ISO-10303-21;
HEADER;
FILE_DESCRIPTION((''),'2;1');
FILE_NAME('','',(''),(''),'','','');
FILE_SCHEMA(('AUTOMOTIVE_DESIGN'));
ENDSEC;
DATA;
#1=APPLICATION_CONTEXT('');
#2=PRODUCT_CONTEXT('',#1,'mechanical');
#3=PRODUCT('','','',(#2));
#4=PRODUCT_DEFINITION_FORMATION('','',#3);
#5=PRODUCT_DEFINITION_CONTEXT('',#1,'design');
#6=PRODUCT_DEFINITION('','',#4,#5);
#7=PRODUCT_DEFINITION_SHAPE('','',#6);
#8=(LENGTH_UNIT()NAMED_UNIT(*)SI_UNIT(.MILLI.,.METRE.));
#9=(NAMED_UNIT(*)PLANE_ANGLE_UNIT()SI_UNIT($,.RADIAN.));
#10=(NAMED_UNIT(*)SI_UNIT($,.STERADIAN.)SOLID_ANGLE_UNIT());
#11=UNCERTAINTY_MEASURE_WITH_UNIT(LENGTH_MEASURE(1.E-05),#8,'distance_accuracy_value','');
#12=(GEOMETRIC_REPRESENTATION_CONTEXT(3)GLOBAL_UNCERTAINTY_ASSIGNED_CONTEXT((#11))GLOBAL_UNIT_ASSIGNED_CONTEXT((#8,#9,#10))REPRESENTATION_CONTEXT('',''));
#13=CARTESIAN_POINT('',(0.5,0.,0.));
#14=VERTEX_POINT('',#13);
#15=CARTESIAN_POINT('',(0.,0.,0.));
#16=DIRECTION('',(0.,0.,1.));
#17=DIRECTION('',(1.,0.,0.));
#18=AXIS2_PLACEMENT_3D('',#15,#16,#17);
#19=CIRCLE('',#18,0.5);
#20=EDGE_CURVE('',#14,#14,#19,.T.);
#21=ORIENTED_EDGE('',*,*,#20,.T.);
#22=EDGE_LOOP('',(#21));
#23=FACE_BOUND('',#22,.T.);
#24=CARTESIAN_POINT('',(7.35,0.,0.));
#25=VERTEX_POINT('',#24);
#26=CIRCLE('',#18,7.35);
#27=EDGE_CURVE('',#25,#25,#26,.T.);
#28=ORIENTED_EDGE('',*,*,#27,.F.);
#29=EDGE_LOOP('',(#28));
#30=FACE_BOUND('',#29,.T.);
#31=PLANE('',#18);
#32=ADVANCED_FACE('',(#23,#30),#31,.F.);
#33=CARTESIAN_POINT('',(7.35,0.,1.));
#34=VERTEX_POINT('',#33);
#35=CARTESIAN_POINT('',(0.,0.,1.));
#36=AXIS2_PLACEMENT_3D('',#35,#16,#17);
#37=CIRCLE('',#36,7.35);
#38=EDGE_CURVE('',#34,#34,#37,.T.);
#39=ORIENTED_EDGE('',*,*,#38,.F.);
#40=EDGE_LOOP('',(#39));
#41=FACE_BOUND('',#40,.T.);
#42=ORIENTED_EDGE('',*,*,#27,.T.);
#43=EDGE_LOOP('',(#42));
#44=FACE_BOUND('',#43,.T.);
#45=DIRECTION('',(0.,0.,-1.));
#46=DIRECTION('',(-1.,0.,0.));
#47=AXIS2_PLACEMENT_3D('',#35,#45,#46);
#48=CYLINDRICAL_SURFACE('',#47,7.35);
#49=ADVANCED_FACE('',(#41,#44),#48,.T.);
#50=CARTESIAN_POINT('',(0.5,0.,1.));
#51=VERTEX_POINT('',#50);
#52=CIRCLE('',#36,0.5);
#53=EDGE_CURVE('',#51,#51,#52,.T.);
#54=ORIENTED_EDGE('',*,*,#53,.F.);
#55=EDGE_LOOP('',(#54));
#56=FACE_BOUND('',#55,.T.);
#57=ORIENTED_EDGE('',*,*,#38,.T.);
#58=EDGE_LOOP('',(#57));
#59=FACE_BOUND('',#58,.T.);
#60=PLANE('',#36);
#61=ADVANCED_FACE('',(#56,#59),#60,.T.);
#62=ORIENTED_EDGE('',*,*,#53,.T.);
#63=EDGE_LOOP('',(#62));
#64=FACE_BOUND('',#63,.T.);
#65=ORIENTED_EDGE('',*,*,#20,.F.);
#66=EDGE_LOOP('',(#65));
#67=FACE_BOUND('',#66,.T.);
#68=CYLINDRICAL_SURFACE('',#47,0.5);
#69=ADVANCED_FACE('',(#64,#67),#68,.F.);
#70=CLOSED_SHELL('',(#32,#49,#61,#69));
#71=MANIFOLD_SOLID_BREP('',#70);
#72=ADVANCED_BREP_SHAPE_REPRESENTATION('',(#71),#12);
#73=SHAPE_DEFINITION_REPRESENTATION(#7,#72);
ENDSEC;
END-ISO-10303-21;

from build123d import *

# Parameters (mm, degrees)
SKETCH1_R           = 7.35
SKETCH1_R_2         = 0.5
BOSS_EXTRUDE1_DEPTH = 1


with BuildPart() as part:
    # Sketch1 → Boss-Extrude1 (new body)
    with BuildSketch(Plane.XY):
        Circle(SKETCH1_R)
        Circle(SKETCH1_R_2, mode=Mode.SUBTRACT)
    extrude(amount=BOSS_EXTRUDE1_DEPTH)


solid = part.part
